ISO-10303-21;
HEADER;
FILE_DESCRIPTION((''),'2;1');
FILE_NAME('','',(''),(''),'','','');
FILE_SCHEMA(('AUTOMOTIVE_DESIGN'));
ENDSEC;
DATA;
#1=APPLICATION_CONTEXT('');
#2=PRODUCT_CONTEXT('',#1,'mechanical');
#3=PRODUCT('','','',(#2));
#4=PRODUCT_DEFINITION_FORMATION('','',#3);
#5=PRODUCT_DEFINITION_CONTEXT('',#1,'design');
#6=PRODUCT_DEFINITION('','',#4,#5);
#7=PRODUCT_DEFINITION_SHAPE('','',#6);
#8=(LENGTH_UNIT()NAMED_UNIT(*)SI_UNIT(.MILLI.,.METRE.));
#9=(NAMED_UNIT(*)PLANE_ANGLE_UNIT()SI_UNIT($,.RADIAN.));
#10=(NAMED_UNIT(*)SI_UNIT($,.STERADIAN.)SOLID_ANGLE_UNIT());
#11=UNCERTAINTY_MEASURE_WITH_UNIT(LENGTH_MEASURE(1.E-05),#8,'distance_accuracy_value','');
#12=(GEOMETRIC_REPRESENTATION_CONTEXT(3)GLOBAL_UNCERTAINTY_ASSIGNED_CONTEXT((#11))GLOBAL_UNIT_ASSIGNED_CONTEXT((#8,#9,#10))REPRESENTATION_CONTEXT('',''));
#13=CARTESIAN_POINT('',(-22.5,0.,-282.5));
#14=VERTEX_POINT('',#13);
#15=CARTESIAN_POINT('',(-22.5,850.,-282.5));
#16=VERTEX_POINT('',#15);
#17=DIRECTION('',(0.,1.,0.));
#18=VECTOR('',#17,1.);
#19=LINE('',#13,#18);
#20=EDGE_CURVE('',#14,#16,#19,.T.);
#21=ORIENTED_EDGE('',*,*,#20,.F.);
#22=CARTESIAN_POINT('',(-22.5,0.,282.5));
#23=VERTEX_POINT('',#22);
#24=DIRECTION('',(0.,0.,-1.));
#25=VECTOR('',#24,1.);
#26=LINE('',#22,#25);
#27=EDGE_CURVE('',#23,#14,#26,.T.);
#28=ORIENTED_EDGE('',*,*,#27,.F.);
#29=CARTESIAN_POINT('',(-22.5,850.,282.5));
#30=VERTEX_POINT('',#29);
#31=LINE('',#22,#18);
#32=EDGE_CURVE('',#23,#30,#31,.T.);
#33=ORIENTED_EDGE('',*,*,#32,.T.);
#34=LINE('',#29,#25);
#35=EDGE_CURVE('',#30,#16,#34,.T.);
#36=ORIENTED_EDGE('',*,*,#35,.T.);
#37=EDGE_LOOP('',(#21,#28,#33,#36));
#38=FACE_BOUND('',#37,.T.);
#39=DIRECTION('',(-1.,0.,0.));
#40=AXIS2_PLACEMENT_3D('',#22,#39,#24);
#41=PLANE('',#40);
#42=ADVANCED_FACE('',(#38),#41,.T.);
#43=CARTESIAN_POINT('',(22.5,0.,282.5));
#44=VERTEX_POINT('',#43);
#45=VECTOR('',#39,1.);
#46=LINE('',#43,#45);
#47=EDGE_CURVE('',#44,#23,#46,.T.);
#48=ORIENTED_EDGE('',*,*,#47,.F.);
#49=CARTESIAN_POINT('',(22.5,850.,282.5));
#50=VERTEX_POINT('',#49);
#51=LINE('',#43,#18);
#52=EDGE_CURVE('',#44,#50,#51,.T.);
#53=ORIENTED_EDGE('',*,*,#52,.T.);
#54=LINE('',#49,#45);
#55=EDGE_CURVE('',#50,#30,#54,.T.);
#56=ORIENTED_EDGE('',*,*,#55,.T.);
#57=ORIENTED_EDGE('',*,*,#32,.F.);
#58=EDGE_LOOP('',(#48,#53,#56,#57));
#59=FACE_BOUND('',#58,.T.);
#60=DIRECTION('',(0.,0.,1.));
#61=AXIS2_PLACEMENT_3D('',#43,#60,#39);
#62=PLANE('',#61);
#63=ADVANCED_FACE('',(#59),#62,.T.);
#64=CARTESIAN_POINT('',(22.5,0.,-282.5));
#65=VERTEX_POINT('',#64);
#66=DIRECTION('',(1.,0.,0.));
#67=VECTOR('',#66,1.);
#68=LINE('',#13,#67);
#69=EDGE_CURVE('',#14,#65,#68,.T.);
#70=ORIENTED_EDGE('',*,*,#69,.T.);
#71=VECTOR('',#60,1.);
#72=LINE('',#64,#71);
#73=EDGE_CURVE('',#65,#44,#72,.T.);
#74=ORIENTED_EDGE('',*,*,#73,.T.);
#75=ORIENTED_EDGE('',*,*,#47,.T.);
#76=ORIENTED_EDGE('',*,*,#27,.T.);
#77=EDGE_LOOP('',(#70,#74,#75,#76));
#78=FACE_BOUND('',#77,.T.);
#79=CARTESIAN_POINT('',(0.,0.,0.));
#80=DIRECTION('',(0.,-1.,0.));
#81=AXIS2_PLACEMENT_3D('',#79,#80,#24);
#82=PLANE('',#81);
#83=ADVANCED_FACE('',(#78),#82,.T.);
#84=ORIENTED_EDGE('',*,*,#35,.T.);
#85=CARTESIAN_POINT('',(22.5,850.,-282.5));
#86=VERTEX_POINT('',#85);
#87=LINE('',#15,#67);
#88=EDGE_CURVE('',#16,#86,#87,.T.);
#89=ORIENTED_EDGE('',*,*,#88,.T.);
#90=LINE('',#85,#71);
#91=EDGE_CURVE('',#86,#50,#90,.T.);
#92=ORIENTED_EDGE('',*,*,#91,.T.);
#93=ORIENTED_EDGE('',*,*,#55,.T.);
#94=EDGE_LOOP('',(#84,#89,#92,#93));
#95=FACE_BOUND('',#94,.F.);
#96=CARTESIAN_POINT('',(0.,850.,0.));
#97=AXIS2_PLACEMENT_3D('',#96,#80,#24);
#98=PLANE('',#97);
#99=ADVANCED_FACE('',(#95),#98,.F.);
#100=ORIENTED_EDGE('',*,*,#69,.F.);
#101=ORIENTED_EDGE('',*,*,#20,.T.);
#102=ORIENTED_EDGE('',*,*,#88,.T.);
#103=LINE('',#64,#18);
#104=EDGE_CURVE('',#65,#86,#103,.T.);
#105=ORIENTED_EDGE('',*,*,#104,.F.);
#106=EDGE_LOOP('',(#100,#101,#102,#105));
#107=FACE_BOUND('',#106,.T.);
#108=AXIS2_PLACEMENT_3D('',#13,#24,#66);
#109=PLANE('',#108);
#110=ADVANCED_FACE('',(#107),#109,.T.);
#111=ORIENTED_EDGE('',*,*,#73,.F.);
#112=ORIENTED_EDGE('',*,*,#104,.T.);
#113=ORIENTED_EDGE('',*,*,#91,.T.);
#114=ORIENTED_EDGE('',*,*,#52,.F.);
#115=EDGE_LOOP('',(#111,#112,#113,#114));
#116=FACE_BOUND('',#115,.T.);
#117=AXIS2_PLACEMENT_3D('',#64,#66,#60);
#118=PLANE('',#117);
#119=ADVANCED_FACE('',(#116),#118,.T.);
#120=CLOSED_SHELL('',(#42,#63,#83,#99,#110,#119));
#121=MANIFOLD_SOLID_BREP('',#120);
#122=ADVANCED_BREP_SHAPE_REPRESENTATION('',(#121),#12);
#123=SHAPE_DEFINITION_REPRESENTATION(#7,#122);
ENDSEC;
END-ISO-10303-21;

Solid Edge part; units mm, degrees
sketch "Sketch1" plane through (0, 0, 0) normal (0, -1, 0) x (1, 0, 0)
  line L0 (-22.5, -282.5) -> (22.5, -282.5)
  line L1 (22.5, -282.5) -> (22.5, 282.5)
  line L2 (22.5, 282.5) -> (-22.5, 282.5)
  line L3 (-22.5, 282.5) -> (-22.5, -282.5)
extrude "Protrusion1" add sketch "Sketch1" against normal blind 850
